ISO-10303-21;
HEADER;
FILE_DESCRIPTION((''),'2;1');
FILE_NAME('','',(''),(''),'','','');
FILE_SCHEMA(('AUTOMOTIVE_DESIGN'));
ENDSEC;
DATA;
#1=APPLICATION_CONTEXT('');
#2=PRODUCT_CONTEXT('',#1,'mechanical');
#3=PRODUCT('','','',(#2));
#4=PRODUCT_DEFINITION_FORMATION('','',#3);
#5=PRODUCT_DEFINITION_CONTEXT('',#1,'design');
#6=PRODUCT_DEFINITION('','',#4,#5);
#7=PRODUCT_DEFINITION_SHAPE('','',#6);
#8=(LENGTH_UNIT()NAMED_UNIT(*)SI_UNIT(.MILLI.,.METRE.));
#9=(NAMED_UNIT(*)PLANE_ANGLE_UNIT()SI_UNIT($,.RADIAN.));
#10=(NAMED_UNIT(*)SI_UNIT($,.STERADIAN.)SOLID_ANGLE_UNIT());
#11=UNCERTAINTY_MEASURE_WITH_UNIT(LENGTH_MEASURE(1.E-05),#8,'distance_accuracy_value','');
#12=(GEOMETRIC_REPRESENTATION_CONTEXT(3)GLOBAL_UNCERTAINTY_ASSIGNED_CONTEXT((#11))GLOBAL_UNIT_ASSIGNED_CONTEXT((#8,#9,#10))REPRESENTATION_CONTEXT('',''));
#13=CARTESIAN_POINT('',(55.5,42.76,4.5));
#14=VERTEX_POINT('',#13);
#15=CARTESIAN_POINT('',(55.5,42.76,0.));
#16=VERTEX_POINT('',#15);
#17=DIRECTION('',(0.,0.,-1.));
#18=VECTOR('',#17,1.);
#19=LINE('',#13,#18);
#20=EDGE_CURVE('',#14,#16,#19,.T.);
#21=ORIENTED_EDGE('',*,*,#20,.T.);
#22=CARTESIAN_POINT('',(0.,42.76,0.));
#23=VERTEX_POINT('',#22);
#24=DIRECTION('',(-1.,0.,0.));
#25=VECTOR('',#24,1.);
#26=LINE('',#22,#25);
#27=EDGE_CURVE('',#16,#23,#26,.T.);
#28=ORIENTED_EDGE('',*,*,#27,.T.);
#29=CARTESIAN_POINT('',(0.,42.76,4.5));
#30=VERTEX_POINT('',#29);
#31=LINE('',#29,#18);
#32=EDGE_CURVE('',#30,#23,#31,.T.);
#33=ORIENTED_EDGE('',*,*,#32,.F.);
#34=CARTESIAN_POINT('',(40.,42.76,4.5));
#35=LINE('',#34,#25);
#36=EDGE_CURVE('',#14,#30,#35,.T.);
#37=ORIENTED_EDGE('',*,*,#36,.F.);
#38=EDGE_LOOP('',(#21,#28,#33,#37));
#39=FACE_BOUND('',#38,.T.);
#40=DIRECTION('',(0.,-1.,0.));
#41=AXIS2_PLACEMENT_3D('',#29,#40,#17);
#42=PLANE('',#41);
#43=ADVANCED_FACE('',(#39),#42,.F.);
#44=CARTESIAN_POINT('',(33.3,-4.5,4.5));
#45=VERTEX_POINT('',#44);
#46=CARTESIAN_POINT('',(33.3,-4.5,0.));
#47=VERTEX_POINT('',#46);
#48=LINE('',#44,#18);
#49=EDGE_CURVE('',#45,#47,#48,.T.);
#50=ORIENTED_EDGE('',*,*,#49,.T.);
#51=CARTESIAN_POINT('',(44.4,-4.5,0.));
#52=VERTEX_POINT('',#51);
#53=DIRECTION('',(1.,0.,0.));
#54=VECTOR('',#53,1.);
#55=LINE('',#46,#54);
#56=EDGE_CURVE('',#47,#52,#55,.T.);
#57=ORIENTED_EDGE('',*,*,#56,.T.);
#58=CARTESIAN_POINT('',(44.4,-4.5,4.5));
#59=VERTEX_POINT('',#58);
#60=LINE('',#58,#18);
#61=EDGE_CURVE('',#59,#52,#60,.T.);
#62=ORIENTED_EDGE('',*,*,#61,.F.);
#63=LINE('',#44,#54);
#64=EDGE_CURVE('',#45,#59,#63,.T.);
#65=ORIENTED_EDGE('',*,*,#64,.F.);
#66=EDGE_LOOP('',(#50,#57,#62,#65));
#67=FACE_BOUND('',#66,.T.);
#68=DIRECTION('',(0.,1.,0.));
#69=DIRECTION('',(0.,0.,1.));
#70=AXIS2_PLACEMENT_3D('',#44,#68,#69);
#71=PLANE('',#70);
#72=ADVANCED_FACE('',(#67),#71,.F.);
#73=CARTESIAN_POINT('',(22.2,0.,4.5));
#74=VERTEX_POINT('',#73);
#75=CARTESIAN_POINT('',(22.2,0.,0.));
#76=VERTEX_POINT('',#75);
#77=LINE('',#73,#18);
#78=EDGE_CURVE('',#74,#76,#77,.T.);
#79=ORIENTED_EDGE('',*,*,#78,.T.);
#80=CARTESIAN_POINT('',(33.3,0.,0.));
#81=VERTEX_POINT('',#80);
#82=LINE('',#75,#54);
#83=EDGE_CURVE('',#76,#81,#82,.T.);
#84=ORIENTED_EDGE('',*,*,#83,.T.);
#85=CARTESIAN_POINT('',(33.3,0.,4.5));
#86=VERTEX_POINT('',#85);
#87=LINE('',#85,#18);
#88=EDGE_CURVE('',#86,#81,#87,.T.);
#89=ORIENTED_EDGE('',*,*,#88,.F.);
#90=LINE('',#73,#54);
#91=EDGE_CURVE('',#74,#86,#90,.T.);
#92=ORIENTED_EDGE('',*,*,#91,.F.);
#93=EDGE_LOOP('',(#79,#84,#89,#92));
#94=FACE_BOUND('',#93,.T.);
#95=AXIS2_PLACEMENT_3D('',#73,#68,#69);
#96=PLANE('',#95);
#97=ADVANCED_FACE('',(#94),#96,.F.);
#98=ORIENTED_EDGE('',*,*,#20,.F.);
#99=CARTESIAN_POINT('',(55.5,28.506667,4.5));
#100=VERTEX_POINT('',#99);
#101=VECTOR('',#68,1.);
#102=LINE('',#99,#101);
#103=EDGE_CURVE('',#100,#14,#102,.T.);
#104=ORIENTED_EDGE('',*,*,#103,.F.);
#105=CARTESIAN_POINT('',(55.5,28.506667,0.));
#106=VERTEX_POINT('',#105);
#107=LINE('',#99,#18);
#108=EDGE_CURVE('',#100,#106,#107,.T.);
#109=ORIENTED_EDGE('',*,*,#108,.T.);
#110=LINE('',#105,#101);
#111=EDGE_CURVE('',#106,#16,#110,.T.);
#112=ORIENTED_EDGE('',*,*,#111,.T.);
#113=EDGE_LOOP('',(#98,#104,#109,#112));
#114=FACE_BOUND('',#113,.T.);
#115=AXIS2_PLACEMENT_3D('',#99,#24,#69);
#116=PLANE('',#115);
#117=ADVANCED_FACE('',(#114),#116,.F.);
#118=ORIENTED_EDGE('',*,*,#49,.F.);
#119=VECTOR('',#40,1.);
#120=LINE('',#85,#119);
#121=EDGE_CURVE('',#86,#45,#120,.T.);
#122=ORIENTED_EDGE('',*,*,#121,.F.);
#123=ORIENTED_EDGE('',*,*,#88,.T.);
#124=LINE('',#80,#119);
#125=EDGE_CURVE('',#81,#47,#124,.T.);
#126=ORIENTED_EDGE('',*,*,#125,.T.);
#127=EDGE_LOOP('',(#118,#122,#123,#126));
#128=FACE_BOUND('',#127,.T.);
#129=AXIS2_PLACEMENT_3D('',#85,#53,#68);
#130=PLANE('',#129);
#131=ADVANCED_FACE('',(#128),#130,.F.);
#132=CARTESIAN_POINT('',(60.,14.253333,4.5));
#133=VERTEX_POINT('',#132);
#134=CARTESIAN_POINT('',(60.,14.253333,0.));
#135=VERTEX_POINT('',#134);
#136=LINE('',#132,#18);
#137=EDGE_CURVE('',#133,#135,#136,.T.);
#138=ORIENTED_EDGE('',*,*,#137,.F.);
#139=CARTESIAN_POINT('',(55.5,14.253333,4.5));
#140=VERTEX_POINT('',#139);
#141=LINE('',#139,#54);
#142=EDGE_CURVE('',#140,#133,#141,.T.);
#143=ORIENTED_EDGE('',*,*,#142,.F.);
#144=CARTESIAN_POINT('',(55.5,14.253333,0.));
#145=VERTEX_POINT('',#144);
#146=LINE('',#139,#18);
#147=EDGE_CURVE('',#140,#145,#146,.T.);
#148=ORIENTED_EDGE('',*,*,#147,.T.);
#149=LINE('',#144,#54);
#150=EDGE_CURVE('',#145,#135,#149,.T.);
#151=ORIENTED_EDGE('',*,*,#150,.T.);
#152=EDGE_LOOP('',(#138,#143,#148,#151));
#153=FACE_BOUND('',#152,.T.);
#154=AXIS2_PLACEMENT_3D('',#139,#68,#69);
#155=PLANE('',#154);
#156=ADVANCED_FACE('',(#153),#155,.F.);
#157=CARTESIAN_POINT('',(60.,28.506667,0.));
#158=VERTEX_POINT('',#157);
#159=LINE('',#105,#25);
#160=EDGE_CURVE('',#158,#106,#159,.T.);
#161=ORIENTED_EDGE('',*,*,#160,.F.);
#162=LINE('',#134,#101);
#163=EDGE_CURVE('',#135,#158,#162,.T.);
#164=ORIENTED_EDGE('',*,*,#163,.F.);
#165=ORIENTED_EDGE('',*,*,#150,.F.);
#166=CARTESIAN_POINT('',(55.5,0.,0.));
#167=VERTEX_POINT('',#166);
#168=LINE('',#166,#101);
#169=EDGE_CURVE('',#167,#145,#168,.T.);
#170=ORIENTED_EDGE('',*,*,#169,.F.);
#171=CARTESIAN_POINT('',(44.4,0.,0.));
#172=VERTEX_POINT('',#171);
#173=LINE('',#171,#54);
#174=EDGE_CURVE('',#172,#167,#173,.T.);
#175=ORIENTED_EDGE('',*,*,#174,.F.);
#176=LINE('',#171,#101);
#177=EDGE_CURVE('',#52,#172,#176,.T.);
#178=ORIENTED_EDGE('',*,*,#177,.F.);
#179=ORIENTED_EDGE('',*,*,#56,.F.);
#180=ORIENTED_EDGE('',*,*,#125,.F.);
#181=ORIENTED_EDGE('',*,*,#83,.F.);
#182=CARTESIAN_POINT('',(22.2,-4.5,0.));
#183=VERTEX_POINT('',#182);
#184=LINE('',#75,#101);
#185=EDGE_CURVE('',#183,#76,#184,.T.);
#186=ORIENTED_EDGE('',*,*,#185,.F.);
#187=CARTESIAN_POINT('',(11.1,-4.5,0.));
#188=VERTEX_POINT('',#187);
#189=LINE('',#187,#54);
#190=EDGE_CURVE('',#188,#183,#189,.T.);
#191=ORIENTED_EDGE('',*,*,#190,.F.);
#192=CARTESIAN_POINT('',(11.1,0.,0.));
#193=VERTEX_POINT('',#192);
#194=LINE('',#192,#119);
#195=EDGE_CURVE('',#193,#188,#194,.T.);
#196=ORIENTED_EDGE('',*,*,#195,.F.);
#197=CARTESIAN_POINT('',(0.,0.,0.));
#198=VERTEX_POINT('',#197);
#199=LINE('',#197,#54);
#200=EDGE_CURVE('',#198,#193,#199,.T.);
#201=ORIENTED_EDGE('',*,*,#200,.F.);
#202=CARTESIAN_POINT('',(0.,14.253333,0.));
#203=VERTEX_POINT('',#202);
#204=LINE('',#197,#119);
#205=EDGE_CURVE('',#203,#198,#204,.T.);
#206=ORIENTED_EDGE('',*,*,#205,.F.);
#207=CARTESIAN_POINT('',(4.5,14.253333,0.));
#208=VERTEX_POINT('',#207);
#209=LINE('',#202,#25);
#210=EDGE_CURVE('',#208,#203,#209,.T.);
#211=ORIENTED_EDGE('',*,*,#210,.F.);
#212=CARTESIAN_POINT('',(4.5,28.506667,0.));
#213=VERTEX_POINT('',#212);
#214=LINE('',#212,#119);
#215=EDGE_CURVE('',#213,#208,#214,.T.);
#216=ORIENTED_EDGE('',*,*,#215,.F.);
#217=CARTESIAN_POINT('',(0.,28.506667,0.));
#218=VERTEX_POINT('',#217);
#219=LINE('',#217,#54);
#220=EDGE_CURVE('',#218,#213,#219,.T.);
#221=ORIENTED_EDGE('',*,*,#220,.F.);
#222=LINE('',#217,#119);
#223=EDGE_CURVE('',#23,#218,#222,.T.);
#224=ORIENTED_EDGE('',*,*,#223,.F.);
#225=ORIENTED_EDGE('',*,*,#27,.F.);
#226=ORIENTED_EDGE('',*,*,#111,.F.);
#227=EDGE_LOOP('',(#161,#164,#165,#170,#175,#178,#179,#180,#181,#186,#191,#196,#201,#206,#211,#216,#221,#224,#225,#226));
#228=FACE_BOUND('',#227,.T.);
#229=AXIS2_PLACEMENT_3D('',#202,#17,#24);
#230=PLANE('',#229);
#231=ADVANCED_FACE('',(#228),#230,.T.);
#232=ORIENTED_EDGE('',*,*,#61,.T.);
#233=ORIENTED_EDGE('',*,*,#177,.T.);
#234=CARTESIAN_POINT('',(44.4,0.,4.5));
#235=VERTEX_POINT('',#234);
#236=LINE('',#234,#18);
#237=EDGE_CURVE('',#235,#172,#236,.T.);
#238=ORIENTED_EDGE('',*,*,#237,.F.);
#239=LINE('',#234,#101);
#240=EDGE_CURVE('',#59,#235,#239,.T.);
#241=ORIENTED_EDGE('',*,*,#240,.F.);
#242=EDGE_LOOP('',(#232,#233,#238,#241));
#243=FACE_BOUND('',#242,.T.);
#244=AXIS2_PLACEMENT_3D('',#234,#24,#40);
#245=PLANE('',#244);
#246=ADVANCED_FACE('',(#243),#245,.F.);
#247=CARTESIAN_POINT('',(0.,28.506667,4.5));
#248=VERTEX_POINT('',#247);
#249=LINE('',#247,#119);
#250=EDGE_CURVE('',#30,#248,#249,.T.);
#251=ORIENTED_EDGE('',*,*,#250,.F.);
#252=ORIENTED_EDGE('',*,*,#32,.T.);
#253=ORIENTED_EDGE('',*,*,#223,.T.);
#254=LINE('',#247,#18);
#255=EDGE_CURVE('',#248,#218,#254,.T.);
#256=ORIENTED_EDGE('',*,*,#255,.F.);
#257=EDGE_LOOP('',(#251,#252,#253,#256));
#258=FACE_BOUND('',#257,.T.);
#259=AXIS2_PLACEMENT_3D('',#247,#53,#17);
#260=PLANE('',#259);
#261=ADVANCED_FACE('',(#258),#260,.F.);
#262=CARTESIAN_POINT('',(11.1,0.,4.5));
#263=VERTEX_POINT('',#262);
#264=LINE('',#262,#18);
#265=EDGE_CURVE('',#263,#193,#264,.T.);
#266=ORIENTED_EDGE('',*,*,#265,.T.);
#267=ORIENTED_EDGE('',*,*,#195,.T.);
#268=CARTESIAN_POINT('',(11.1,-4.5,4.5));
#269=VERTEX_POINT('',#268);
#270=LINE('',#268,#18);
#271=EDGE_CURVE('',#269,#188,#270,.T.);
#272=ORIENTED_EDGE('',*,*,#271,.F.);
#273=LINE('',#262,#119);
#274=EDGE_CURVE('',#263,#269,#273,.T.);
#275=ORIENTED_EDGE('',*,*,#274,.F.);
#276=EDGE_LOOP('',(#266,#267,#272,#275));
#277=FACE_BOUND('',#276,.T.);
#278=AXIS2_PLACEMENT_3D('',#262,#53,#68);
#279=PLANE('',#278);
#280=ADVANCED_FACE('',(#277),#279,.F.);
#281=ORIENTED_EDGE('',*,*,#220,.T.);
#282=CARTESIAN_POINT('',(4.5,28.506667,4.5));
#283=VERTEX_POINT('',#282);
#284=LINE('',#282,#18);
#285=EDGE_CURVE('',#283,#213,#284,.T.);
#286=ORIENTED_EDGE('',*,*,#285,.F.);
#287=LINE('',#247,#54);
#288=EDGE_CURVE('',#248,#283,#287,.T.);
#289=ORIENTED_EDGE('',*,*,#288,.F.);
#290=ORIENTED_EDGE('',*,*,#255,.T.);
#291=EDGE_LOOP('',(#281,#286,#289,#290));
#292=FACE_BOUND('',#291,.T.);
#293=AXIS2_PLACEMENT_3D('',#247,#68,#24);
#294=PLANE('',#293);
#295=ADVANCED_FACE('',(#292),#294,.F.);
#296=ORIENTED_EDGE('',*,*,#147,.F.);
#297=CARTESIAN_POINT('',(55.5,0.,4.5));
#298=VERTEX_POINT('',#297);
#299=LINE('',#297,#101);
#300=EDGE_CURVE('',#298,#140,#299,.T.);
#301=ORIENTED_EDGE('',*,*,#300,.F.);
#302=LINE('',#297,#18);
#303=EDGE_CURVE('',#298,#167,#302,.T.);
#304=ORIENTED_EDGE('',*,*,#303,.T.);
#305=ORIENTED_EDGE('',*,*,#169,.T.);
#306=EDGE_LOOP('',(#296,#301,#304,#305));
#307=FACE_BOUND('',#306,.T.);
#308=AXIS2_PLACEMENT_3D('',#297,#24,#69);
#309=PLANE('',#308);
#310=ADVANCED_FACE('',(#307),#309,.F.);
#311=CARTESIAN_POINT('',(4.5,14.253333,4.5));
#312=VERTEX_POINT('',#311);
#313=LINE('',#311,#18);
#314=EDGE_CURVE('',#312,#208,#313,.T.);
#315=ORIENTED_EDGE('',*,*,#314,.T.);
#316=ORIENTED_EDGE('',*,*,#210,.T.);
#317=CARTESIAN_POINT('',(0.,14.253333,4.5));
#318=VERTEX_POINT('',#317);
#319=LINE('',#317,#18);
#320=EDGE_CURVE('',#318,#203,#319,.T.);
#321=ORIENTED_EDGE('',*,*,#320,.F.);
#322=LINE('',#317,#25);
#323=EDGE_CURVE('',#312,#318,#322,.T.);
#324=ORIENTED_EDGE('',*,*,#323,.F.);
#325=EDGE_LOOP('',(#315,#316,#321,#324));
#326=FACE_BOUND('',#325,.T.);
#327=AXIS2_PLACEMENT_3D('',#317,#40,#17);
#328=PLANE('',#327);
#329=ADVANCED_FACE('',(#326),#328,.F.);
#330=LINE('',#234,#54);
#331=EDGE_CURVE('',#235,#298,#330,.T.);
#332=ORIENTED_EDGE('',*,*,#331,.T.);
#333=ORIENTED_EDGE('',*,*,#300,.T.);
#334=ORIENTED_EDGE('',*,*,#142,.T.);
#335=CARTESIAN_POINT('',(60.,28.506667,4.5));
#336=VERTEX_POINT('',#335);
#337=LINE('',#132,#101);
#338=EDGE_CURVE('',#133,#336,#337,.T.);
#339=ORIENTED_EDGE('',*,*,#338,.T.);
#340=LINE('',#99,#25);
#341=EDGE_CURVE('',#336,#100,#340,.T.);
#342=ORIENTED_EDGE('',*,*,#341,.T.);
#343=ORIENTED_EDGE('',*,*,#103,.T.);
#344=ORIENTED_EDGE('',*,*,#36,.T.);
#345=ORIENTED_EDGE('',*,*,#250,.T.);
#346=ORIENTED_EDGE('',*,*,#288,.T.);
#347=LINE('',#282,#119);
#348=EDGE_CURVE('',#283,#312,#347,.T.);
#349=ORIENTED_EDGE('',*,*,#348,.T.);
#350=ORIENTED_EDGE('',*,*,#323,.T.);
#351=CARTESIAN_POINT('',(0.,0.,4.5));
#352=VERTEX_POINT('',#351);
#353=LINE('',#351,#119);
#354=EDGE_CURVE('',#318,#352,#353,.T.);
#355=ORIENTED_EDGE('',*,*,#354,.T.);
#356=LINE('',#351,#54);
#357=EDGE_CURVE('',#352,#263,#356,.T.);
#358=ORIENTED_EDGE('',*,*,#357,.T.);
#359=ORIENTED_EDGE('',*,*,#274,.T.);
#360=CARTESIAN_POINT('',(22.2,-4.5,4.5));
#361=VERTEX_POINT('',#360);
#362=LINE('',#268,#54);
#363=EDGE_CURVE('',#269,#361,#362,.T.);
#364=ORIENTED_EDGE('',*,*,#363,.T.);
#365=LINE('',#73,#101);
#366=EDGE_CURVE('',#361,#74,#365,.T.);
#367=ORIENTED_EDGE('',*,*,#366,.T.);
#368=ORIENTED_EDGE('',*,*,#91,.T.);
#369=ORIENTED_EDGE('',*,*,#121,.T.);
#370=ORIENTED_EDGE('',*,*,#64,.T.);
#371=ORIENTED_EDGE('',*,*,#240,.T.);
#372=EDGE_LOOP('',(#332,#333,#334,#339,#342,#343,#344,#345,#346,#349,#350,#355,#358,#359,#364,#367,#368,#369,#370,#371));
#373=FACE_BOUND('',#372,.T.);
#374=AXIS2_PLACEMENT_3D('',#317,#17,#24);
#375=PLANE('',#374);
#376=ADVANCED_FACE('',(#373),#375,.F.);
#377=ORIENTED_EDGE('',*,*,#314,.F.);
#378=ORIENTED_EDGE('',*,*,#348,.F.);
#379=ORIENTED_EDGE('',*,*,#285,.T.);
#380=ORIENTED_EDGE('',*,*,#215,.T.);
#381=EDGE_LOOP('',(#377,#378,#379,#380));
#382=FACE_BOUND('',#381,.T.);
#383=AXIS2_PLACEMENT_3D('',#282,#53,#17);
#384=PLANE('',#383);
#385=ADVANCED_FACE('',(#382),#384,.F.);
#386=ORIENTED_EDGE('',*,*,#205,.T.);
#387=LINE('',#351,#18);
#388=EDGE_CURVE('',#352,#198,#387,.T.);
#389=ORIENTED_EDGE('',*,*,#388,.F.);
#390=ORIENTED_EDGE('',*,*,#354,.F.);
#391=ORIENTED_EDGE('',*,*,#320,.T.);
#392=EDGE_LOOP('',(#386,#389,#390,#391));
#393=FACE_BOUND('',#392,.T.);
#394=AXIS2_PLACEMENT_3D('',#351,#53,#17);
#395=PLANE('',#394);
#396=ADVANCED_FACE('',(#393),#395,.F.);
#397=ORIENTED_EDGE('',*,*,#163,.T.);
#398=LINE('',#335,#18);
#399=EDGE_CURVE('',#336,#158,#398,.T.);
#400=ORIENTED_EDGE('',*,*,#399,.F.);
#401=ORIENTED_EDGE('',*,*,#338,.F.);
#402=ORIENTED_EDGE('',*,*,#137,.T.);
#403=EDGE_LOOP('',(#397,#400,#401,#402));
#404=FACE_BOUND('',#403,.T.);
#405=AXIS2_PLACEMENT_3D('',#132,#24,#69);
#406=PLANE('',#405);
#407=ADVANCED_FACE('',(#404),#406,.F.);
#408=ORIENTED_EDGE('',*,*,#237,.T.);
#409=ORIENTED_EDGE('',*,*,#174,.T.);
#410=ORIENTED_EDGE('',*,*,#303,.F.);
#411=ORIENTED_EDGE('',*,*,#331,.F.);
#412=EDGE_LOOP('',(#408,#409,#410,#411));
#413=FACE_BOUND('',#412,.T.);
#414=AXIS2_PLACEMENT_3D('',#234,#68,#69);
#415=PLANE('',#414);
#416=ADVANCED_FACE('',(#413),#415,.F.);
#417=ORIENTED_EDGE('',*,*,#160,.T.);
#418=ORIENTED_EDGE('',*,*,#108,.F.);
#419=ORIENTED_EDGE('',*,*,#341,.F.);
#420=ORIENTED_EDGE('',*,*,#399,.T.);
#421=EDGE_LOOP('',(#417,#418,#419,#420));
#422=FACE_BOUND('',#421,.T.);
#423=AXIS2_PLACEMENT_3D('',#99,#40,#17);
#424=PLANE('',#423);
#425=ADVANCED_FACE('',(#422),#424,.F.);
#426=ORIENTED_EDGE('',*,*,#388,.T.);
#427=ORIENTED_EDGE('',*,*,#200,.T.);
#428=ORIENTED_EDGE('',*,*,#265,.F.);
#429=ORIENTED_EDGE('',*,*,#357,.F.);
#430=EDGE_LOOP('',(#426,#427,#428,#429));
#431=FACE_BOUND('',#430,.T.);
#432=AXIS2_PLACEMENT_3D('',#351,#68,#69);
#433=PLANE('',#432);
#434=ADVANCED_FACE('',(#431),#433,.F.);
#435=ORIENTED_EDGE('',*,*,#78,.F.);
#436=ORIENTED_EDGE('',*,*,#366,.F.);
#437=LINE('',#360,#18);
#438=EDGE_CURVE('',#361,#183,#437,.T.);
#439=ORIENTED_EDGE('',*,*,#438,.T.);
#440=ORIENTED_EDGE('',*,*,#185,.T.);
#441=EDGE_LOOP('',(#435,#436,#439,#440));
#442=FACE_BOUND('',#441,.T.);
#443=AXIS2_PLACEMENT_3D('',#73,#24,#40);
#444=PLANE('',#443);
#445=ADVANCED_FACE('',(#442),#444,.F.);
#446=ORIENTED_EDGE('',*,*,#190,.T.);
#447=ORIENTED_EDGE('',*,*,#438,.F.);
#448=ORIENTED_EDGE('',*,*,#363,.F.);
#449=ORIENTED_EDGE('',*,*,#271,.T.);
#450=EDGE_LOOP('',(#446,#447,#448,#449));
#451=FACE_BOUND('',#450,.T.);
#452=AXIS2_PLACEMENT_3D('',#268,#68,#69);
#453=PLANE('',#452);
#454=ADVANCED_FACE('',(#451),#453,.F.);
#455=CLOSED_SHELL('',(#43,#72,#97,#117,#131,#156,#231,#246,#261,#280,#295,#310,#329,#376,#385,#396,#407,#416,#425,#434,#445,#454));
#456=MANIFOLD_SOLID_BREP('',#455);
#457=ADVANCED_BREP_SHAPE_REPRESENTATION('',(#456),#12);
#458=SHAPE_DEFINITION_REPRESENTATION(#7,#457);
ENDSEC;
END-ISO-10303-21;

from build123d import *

# Parameters (mm, degrees)
BOSS_EXTRUDE1_DEPTH = 4.5


with BuildPart() as part:
    # Sketch1 → Boss-Extrude1 (new body)
    with BuildSketch(Plane.XY):
        Polygon((22.2, 0), (33.3, 0), (33.3, -4.5), (44.4, -4.5), (44.4, 0), (55.5, 0), (55.5, 14.253333333), (60, 14.253333333), (60, 28.506666667), (55.5, 28.506666667), (55.5, 42.76), (40, 42.76), (20, 42.76), (0, 42.76), (0, 28.506666667), (4.5, 28.506666667), (4.5, 14.253333333), (0, 14.253333333), (0, 0), (11.1, 0), (11.1, -4.5), (22.2, -4.5), align=None)
    extrude(amount=BOSS_EXTRUDE1_DEPTH)


solid = part.part
